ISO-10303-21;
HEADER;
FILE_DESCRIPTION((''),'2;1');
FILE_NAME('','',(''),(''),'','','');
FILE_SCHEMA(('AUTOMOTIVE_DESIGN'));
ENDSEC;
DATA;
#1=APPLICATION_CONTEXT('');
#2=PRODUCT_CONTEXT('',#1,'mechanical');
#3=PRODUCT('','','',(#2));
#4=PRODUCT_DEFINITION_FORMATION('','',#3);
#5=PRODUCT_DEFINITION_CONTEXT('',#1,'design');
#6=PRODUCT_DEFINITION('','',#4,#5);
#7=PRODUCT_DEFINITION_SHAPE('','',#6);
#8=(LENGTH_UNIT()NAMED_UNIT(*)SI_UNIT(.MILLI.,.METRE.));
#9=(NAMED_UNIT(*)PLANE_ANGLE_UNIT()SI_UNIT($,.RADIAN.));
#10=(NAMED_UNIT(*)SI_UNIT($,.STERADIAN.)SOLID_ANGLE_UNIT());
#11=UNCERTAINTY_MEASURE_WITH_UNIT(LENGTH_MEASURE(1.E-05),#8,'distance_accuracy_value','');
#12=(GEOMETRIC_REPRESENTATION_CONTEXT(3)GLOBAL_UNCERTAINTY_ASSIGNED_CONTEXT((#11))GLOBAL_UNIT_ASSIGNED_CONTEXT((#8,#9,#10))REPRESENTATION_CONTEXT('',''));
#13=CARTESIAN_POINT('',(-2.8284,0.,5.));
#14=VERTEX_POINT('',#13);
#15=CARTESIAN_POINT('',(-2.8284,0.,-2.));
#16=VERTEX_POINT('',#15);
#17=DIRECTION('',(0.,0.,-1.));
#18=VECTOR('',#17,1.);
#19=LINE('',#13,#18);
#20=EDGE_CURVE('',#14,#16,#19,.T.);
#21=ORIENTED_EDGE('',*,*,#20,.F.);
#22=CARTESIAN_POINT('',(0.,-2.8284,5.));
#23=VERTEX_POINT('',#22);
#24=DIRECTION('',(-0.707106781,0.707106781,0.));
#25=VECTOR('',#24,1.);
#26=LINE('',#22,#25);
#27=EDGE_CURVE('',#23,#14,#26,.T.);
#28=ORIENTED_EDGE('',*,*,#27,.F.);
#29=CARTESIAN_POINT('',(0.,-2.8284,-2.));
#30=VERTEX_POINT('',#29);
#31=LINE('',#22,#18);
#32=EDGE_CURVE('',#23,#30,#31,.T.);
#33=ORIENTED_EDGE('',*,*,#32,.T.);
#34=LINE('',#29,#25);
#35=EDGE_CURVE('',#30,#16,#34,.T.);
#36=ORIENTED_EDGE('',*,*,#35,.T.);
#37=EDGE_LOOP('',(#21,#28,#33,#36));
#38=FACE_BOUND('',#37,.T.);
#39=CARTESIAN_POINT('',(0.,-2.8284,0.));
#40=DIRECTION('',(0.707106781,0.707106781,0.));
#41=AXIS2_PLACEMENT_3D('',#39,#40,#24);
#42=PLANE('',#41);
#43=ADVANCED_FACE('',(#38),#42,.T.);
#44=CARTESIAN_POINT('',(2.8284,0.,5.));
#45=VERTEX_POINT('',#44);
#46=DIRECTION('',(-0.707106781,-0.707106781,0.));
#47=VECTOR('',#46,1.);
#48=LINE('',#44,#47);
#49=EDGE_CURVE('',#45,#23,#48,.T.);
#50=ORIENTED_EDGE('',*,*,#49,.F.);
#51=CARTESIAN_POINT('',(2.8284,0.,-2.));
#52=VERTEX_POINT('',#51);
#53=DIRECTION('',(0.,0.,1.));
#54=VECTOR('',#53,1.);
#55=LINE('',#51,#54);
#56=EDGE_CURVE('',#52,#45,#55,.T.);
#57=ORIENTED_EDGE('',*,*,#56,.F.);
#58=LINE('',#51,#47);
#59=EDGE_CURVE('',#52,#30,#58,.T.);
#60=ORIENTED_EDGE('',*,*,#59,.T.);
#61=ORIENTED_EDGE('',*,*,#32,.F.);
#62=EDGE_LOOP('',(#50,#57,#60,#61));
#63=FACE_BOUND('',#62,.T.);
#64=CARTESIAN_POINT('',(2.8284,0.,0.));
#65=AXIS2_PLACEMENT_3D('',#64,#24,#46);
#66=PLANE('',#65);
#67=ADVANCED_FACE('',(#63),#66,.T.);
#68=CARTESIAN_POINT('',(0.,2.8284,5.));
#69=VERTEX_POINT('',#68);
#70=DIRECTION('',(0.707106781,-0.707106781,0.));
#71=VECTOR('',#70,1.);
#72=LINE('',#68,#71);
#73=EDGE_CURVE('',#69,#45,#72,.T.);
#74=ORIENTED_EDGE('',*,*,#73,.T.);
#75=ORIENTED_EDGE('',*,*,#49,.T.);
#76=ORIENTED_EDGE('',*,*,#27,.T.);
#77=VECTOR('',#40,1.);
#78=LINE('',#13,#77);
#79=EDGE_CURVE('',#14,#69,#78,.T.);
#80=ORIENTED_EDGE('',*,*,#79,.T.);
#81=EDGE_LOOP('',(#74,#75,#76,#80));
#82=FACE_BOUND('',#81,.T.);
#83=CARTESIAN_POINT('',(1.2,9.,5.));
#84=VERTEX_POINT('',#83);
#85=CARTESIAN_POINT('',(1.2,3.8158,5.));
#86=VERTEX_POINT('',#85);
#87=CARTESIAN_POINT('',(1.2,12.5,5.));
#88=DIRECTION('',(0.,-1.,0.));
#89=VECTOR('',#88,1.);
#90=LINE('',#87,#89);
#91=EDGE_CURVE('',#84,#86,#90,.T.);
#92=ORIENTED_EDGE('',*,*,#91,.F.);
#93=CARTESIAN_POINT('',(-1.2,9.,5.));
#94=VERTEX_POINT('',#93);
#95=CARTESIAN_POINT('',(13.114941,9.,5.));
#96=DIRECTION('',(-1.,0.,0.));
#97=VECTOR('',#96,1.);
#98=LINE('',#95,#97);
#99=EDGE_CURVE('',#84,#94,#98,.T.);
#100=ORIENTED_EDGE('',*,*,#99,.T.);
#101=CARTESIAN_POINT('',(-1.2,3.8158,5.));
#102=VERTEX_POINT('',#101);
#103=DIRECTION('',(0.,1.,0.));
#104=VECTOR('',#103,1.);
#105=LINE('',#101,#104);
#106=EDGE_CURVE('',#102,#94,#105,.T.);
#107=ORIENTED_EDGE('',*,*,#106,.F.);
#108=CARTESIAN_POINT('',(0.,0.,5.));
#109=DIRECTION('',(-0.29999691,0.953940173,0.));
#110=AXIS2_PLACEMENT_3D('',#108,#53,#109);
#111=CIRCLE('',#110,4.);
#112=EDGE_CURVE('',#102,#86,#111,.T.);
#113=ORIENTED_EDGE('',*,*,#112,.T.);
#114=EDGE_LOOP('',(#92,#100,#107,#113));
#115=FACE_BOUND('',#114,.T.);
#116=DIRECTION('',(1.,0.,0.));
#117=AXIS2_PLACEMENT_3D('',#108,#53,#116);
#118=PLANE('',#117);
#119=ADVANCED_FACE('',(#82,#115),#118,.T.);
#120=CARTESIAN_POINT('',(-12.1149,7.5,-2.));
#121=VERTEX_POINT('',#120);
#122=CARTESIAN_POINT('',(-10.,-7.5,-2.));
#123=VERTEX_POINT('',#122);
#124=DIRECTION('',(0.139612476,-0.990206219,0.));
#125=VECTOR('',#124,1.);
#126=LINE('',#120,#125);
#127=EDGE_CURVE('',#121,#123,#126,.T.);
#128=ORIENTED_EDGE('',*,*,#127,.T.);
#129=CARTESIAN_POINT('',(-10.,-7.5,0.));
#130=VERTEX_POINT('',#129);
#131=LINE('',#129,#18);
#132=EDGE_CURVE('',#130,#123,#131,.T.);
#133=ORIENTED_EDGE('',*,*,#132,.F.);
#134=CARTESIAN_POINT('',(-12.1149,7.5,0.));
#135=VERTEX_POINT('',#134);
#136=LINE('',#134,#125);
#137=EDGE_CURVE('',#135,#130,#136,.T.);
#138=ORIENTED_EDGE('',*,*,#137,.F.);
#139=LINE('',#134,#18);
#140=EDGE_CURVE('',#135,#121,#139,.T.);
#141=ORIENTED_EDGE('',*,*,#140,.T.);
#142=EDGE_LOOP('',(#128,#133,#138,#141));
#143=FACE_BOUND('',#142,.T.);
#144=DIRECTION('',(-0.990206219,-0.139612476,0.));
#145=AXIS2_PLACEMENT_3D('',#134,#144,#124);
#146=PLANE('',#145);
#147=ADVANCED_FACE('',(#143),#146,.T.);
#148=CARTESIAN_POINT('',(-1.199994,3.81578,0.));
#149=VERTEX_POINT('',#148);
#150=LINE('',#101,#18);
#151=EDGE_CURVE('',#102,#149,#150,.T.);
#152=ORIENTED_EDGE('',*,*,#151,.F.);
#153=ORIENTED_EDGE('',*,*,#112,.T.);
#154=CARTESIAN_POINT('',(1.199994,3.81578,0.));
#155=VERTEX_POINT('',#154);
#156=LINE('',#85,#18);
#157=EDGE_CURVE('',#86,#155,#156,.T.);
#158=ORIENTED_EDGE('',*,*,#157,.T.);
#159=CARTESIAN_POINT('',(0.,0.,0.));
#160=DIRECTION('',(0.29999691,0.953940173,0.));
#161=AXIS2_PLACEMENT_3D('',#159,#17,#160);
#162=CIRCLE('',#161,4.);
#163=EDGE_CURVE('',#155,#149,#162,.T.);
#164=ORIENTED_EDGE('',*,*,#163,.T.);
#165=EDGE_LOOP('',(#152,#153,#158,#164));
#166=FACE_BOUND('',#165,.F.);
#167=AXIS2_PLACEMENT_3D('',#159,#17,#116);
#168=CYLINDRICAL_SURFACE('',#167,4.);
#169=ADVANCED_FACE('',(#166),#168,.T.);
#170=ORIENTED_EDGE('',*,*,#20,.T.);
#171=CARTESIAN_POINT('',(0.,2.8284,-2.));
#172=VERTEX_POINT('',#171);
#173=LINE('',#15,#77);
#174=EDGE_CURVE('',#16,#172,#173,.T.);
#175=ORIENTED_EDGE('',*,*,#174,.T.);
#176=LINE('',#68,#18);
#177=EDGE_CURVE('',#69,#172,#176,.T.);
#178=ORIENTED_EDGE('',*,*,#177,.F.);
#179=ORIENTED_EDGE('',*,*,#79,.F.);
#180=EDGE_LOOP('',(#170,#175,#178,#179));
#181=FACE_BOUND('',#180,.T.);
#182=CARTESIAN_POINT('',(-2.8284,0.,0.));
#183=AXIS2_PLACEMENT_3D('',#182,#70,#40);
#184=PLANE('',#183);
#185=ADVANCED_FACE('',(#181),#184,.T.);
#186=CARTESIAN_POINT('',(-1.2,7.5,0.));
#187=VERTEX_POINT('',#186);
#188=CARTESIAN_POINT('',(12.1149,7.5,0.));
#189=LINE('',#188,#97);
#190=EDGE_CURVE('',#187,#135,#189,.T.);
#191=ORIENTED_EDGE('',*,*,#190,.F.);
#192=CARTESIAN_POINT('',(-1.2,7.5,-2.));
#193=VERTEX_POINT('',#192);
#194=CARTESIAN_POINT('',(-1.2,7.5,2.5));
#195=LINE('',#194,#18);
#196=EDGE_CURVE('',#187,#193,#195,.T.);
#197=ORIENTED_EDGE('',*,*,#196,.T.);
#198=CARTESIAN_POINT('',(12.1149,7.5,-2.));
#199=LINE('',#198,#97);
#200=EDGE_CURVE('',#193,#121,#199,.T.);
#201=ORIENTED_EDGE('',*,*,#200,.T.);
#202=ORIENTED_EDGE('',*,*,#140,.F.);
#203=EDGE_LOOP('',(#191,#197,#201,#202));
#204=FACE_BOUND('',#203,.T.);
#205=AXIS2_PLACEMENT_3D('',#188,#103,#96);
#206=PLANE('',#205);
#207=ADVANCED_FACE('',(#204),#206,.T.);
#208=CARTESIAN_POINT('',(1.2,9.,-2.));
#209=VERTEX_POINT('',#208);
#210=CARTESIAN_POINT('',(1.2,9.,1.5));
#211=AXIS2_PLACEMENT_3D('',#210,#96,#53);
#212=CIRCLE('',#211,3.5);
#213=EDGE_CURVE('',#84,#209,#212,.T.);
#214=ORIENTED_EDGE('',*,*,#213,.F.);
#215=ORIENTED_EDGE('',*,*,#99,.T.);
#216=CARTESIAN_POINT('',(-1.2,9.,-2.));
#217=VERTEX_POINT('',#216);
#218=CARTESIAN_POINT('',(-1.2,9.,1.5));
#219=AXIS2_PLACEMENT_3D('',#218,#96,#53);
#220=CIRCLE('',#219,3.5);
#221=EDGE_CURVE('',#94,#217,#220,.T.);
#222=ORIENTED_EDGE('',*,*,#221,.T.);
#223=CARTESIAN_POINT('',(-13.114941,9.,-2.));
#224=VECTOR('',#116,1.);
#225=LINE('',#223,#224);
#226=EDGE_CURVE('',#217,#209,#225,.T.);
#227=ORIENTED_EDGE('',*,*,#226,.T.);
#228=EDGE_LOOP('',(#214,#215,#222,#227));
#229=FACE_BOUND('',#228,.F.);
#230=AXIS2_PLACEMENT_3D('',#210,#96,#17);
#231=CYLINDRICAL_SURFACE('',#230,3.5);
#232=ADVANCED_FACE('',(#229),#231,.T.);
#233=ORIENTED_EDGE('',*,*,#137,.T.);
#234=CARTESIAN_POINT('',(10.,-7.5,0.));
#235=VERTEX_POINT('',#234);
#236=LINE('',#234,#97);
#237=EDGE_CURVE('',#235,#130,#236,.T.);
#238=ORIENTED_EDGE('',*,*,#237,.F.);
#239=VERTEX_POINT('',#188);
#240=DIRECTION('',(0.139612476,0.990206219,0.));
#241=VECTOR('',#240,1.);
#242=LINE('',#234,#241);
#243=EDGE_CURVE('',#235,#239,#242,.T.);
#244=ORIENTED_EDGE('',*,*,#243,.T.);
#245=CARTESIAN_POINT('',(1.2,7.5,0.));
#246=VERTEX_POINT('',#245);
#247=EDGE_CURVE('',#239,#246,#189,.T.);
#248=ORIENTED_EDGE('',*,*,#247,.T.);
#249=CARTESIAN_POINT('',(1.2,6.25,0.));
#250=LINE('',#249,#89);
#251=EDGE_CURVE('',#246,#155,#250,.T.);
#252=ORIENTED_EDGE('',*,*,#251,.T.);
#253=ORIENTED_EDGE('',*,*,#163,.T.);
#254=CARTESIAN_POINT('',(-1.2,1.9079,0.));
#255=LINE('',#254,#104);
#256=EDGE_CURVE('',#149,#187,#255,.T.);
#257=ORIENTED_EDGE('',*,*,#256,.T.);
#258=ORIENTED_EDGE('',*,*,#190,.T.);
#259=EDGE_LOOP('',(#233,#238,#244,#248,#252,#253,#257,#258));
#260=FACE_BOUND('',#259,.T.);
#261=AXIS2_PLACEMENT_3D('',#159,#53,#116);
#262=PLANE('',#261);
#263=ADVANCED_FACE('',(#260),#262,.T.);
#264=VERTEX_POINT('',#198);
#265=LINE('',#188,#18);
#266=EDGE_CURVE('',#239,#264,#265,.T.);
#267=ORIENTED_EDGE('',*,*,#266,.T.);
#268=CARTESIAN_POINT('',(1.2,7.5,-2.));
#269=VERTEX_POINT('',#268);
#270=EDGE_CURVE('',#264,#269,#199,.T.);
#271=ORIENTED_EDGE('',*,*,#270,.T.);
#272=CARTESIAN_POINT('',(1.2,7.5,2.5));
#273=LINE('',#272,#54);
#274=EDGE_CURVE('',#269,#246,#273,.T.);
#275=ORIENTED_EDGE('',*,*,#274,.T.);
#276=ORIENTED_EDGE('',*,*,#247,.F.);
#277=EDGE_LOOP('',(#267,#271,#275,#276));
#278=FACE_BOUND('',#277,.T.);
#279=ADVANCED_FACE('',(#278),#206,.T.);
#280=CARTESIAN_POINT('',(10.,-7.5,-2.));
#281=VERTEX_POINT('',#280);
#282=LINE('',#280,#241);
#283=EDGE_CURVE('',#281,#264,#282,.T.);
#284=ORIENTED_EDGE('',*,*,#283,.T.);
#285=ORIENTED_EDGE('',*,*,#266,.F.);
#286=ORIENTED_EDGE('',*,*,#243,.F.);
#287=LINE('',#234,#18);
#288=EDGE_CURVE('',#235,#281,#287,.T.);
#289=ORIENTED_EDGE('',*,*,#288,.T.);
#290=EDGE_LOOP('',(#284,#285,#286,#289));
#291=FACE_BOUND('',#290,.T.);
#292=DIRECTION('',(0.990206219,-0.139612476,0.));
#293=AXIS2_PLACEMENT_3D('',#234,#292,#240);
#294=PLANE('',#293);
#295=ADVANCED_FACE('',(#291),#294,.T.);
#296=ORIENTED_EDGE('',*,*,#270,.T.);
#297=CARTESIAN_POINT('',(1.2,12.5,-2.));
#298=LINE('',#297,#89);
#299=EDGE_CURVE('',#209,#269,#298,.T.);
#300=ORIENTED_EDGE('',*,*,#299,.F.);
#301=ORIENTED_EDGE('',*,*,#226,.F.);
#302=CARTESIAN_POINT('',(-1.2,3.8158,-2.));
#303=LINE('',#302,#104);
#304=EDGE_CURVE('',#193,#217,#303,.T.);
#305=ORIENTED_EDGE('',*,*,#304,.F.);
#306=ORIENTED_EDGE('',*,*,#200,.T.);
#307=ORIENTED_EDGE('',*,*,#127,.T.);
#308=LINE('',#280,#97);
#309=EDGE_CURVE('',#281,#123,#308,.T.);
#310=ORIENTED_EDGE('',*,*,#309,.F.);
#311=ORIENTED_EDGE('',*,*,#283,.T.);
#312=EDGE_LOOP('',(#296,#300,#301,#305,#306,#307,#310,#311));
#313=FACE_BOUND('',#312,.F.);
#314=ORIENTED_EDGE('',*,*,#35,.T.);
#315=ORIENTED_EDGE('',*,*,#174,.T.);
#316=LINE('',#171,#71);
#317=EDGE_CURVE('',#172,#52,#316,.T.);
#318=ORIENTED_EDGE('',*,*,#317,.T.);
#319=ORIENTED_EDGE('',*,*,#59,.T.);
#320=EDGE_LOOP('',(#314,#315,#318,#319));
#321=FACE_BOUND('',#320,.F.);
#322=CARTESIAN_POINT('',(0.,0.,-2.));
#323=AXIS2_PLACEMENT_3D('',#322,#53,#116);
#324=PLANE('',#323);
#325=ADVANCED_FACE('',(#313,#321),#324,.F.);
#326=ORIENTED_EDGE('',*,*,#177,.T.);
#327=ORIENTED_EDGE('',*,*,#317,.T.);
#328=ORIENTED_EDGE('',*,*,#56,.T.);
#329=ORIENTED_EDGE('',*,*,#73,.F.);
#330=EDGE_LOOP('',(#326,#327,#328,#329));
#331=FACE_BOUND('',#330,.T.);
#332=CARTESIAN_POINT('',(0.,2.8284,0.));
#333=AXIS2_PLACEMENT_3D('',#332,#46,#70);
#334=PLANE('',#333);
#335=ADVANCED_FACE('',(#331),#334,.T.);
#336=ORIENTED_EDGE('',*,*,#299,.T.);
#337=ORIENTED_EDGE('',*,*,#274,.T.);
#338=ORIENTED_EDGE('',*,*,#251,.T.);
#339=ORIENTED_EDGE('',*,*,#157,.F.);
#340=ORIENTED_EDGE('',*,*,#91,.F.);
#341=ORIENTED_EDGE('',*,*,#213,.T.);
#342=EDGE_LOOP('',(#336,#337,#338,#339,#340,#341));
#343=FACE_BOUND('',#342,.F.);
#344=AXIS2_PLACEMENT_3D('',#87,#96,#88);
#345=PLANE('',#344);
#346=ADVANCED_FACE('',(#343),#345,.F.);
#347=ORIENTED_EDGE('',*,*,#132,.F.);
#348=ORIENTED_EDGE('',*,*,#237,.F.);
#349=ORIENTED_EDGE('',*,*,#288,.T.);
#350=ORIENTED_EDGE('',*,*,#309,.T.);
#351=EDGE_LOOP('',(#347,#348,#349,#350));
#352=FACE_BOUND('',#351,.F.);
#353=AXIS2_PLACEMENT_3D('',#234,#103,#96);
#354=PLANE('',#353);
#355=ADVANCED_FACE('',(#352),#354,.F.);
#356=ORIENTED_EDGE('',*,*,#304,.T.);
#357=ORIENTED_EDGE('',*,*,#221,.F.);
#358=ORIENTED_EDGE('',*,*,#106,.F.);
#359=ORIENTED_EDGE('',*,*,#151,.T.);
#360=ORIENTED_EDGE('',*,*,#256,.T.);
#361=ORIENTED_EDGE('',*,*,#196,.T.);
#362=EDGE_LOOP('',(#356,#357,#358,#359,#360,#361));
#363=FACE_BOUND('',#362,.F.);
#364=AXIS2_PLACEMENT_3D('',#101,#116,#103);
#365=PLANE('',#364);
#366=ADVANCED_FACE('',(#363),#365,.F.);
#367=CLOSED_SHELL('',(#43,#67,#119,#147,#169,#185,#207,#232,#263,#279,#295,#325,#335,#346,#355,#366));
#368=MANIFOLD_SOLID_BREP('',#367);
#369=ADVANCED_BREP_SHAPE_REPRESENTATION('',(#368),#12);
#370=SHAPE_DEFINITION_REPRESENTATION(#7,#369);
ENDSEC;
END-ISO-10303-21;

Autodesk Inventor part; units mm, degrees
ref_plane "YZ Plane" through (0, 0, 0) normal (1, 0, 0) x (0, 1, 0)
ref_plane "XZ Plane" through (0, 0, 0) normal (0, 1, 0) x (-1, 0, 0)
ref_plane "XY Plane" through (0, 0, 0) normal (0, 0, 1) x (1, 0, 0)
sketch "スケッチ1" plane through (0, 0, 0) normal (0, 0, 1) x (1, 0, 0)
  line L0 (2.8284, 0) -> (0, -2.8284)
  line L1 (0, -2.8284) -> (-2.8284, 0)
  line L2 (-2.8284, 0) -> (0, 2.8284)
  line L3 (0, 2.8284) -> (2.8284, 0)
  line L4 (-12.1149, 7.5) -> (-10, -7.5)
  line L5 (10, -7.5) -> (-10, -7.5)
  line L6 (10, -7.5) -> (12.1149, 7.5)
  line L7 (12.1149, 7.5) -> (-12.1149, 7.5)
  point P0 (0, 0)
  point P1 (0, 7.5)
  point P2 (11.0574, 0)
  dimension "d10" = 24.2298
  dimension "d11" = 20
  dimension "d12" = 15
  dimension "d13" = 4
extrude "押し出し1" add sketch "スケッチ1" against normal blind 2
sketch "スケッチ3" plane through (0, 0, 0) normal (0, 0, 1) x (1, 0, 0)
  line L0 (2.8284, 0) -> (0, -2.8284) projected
  line L1 (0, -2.8284) -> (-2.8284, 0) projected
  line L2 (-2.8284, 0) -> (0, 2.8284) projected
  line L3 (0, 2.8284) -> (2.8284, 0) projected
  circle A0 centre (0, 0) radius 4
  dimension "d17" = 8
extrude "押し出し3" add sketch "スケッチ3" along normal blind 5
sketch "スケッチ4" plane through (0, 0, 5) normal (0, 0, 1) x (1, 0, 0)
  circle A0 centre (0, 0) radius 4 projected
  circle A1 centre (0, 0) radius 4 projected
  line L0 (-1.2, 3.8158) -> (-1.2, 12.5)
  line L1 (-1.2, 12.5) -> (1.2, 12.5)
  line L2 (1.2, 12.5) -> (1.2, 3.8158)
  line L3 (12.1149, 7.5) -> (-12.1149, 7.5) construction
  dimension "d18" = 5
  dimension "d19" = 2.4
extrude "押し出し4" add sketch "スケッチ4" against normal up to surface (7 mm away) contours A0 L0 L1 L2
sketch "スケッチ5" plane through (1.2, 3.8158, 5) normal (1, 0, 0) x (0, 0, -1)
  line L0 (7, 3.6842) -> (7, 8.6842) projected
  line L1 (0, 8.6842) -> (7, 8.6842) projected
  line L2 (0, 0) -> (0, 8.6842) projected
  arc A0 (7, 5.1842) -> (0, 5.1842) centre (3.5, 5.1842) ccw
  point P0 (5, -3.8158)
  point P1 (3.5, 8.6842)
extrude "押し出し5" cut sketch "スケッチ5" along normal through all both and the other way through all
sketch "スケッチ7" plane through (0, 0, 0) normal (0, 0, 1) x (1, 0, 0)
  line L0 (-1.2, 3.8158) -> (-1.2, 7.5) projected
  line L1 (-1.2, 7.5) -> (-12.1149, 7.5) projected
  line L2 (-12.1149, 7.5) -> (-10, -7.5) projected
  line L3 (-10, -7.5) -> (10, -7.5) projected
  line L4 (10, -7.5) -> (12.1149, 7.5) projected
  line L5 (12.1149, 7.5) -> (1.2, 7.5) projected
  line L6 (1.2, 7.5) -> (1.2, 3.8158) projected
  arc A0 (-1.2, 3.8158) -> (1.2, 3.8158) centre (0, 0) ccw projected
properties part number "om_BackHolder_V3"
